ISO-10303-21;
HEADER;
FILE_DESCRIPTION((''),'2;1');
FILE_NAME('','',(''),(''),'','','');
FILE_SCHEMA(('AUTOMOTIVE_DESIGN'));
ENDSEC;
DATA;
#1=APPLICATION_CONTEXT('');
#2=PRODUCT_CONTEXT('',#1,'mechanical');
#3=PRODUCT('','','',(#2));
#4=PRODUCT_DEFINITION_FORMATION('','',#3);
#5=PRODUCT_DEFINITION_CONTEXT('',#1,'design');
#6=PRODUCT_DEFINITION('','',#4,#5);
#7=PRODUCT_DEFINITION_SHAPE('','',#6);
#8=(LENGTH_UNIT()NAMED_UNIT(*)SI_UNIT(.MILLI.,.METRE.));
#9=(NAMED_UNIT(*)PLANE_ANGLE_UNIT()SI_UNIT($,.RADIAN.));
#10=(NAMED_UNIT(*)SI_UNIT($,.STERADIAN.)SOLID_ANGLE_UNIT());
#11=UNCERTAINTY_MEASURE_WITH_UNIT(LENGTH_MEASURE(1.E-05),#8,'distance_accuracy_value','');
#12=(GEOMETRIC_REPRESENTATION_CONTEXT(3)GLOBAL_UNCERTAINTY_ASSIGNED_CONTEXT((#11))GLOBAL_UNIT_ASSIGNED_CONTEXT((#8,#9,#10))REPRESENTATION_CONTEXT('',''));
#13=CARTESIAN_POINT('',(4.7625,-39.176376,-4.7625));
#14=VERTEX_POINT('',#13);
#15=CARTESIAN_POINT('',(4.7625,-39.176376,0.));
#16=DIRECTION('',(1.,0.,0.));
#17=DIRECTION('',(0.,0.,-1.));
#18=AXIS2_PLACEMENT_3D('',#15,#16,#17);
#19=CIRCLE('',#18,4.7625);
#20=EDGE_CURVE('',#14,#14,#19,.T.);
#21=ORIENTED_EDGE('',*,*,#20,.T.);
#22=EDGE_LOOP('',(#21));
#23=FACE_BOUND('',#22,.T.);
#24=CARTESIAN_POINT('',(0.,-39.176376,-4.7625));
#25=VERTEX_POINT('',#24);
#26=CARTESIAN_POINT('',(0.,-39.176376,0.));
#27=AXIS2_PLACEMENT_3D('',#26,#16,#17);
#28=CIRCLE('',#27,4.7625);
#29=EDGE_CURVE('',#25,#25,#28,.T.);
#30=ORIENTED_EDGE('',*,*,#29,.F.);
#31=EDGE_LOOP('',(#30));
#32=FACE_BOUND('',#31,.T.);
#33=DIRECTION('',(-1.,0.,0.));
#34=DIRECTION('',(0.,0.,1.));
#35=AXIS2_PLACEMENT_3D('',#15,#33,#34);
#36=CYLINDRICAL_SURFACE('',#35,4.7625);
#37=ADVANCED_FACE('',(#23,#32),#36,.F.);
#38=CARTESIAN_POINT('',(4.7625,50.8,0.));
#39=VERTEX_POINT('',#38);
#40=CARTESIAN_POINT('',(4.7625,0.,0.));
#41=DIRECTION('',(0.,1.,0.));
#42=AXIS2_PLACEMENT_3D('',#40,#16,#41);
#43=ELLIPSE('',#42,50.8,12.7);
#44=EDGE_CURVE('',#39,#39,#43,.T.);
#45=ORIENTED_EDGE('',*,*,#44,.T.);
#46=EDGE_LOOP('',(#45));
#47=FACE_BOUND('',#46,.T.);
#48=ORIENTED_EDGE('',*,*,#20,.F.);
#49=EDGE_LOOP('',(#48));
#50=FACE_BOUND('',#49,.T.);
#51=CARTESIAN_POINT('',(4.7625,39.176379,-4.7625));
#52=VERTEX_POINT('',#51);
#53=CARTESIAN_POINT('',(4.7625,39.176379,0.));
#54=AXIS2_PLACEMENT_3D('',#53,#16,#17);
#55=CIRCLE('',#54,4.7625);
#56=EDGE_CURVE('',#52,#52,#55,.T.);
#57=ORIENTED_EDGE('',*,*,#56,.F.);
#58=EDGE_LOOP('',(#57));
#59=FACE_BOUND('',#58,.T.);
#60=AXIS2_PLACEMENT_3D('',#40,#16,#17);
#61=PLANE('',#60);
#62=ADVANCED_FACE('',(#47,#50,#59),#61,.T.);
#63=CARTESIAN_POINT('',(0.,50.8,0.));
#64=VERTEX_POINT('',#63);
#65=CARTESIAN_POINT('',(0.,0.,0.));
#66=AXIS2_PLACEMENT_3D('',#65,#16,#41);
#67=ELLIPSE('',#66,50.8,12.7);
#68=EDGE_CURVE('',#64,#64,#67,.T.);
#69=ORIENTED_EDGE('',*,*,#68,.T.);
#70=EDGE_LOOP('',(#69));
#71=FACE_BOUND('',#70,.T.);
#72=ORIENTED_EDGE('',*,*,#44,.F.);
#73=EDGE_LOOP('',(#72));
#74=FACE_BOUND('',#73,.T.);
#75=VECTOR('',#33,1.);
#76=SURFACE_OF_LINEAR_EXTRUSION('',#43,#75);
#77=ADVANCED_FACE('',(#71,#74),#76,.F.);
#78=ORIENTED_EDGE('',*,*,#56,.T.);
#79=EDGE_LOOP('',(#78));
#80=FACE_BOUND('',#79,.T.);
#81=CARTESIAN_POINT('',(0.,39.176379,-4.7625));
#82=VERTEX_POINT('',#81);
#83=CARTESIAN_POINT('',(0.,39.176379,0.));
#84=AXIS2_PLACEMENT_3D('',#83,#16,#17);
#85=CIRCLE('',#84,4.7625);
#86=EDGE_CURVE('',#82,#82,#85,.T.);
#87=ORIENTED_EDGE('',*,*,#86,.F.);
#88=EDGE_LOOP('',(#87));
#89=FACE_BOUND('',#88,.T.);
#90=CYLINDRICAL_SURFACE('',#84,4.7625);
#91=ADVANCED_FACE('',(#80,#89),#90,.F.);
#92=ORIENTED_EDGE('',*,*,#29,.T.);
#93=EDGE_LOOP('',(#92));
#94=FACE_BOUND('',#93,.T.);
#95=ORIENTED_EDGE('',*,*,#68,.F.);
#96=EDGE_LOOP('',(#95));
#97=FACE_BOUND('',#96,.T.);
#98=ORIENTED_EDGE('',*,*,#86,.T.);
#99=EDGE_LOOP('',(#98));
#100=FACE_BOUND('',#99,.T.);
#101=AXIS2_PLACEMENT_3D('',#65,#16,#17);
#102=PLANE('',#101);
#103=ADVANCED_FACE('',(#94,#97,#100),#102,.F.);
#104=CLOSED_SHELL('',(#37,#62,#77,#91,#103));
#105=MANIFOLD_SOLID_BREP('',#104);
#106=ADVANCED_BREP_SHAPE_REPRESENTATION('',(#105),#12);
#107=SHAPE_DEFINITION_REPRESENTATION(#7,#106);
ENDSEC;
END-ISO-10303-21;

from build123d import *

# Parameters (mm, degrees)
SKETCH2_RX          = 50.8
SKETCH2_RY          = 12.7
BOSS_EXTRUDE1_DEPTH = 4.7625
SKETCH3_R           = 4.7625
CUT_EXTRUDE1_DEPTH  = 5.7625
SKETCH4_R           = 4.7625
CUT_EXTRUDE10_DEPTH = 5.7625


with BuildPart() as part:
    # Sketch2 → Boss-Extrude1 (new body)
    with BuildSketch(Plane(origin=(0, 0, 0), x_dir=(0, 0, -1), z_dir=(1, 0, 0))):
        with Locations(Location((0, 0), (0, 0, 90))):
            Ellipse(SKETCH2_RX, SKETCH2_RY)
    extrude(amount=BOSS_EXTRUDE1_DEPTH)

    # Sketch3 → Cut-Extrude1 (cut, through all)
    with BuildSketch(Plane(origin=(4.7625, 0, 0), x_dir=(0, 0, -1), z_dir=(1, 0, 0))):
        with Locations((0, 39.176379409)):
            Circle(SKETCH3_R)
    extrude(amount=-CUT_EXTRUDE1_DEPTH, mode=Mode.SUBTRACT)

    # Sketch4 → Cut-Extrude10 (cut, through all)
    with BuildSketch(Plane(origin=(0, 0, 0), x_dir=(0, 0, -1), z_dir=(1, 0, 0))):
        with Locations((0, -39.1763758)):
            Circle(SKETCH4_R)
    extrude(amount=CUT_EXTRUDE10_DEPTH, mode=Mode.SUBTRACT)


solid = part.part
